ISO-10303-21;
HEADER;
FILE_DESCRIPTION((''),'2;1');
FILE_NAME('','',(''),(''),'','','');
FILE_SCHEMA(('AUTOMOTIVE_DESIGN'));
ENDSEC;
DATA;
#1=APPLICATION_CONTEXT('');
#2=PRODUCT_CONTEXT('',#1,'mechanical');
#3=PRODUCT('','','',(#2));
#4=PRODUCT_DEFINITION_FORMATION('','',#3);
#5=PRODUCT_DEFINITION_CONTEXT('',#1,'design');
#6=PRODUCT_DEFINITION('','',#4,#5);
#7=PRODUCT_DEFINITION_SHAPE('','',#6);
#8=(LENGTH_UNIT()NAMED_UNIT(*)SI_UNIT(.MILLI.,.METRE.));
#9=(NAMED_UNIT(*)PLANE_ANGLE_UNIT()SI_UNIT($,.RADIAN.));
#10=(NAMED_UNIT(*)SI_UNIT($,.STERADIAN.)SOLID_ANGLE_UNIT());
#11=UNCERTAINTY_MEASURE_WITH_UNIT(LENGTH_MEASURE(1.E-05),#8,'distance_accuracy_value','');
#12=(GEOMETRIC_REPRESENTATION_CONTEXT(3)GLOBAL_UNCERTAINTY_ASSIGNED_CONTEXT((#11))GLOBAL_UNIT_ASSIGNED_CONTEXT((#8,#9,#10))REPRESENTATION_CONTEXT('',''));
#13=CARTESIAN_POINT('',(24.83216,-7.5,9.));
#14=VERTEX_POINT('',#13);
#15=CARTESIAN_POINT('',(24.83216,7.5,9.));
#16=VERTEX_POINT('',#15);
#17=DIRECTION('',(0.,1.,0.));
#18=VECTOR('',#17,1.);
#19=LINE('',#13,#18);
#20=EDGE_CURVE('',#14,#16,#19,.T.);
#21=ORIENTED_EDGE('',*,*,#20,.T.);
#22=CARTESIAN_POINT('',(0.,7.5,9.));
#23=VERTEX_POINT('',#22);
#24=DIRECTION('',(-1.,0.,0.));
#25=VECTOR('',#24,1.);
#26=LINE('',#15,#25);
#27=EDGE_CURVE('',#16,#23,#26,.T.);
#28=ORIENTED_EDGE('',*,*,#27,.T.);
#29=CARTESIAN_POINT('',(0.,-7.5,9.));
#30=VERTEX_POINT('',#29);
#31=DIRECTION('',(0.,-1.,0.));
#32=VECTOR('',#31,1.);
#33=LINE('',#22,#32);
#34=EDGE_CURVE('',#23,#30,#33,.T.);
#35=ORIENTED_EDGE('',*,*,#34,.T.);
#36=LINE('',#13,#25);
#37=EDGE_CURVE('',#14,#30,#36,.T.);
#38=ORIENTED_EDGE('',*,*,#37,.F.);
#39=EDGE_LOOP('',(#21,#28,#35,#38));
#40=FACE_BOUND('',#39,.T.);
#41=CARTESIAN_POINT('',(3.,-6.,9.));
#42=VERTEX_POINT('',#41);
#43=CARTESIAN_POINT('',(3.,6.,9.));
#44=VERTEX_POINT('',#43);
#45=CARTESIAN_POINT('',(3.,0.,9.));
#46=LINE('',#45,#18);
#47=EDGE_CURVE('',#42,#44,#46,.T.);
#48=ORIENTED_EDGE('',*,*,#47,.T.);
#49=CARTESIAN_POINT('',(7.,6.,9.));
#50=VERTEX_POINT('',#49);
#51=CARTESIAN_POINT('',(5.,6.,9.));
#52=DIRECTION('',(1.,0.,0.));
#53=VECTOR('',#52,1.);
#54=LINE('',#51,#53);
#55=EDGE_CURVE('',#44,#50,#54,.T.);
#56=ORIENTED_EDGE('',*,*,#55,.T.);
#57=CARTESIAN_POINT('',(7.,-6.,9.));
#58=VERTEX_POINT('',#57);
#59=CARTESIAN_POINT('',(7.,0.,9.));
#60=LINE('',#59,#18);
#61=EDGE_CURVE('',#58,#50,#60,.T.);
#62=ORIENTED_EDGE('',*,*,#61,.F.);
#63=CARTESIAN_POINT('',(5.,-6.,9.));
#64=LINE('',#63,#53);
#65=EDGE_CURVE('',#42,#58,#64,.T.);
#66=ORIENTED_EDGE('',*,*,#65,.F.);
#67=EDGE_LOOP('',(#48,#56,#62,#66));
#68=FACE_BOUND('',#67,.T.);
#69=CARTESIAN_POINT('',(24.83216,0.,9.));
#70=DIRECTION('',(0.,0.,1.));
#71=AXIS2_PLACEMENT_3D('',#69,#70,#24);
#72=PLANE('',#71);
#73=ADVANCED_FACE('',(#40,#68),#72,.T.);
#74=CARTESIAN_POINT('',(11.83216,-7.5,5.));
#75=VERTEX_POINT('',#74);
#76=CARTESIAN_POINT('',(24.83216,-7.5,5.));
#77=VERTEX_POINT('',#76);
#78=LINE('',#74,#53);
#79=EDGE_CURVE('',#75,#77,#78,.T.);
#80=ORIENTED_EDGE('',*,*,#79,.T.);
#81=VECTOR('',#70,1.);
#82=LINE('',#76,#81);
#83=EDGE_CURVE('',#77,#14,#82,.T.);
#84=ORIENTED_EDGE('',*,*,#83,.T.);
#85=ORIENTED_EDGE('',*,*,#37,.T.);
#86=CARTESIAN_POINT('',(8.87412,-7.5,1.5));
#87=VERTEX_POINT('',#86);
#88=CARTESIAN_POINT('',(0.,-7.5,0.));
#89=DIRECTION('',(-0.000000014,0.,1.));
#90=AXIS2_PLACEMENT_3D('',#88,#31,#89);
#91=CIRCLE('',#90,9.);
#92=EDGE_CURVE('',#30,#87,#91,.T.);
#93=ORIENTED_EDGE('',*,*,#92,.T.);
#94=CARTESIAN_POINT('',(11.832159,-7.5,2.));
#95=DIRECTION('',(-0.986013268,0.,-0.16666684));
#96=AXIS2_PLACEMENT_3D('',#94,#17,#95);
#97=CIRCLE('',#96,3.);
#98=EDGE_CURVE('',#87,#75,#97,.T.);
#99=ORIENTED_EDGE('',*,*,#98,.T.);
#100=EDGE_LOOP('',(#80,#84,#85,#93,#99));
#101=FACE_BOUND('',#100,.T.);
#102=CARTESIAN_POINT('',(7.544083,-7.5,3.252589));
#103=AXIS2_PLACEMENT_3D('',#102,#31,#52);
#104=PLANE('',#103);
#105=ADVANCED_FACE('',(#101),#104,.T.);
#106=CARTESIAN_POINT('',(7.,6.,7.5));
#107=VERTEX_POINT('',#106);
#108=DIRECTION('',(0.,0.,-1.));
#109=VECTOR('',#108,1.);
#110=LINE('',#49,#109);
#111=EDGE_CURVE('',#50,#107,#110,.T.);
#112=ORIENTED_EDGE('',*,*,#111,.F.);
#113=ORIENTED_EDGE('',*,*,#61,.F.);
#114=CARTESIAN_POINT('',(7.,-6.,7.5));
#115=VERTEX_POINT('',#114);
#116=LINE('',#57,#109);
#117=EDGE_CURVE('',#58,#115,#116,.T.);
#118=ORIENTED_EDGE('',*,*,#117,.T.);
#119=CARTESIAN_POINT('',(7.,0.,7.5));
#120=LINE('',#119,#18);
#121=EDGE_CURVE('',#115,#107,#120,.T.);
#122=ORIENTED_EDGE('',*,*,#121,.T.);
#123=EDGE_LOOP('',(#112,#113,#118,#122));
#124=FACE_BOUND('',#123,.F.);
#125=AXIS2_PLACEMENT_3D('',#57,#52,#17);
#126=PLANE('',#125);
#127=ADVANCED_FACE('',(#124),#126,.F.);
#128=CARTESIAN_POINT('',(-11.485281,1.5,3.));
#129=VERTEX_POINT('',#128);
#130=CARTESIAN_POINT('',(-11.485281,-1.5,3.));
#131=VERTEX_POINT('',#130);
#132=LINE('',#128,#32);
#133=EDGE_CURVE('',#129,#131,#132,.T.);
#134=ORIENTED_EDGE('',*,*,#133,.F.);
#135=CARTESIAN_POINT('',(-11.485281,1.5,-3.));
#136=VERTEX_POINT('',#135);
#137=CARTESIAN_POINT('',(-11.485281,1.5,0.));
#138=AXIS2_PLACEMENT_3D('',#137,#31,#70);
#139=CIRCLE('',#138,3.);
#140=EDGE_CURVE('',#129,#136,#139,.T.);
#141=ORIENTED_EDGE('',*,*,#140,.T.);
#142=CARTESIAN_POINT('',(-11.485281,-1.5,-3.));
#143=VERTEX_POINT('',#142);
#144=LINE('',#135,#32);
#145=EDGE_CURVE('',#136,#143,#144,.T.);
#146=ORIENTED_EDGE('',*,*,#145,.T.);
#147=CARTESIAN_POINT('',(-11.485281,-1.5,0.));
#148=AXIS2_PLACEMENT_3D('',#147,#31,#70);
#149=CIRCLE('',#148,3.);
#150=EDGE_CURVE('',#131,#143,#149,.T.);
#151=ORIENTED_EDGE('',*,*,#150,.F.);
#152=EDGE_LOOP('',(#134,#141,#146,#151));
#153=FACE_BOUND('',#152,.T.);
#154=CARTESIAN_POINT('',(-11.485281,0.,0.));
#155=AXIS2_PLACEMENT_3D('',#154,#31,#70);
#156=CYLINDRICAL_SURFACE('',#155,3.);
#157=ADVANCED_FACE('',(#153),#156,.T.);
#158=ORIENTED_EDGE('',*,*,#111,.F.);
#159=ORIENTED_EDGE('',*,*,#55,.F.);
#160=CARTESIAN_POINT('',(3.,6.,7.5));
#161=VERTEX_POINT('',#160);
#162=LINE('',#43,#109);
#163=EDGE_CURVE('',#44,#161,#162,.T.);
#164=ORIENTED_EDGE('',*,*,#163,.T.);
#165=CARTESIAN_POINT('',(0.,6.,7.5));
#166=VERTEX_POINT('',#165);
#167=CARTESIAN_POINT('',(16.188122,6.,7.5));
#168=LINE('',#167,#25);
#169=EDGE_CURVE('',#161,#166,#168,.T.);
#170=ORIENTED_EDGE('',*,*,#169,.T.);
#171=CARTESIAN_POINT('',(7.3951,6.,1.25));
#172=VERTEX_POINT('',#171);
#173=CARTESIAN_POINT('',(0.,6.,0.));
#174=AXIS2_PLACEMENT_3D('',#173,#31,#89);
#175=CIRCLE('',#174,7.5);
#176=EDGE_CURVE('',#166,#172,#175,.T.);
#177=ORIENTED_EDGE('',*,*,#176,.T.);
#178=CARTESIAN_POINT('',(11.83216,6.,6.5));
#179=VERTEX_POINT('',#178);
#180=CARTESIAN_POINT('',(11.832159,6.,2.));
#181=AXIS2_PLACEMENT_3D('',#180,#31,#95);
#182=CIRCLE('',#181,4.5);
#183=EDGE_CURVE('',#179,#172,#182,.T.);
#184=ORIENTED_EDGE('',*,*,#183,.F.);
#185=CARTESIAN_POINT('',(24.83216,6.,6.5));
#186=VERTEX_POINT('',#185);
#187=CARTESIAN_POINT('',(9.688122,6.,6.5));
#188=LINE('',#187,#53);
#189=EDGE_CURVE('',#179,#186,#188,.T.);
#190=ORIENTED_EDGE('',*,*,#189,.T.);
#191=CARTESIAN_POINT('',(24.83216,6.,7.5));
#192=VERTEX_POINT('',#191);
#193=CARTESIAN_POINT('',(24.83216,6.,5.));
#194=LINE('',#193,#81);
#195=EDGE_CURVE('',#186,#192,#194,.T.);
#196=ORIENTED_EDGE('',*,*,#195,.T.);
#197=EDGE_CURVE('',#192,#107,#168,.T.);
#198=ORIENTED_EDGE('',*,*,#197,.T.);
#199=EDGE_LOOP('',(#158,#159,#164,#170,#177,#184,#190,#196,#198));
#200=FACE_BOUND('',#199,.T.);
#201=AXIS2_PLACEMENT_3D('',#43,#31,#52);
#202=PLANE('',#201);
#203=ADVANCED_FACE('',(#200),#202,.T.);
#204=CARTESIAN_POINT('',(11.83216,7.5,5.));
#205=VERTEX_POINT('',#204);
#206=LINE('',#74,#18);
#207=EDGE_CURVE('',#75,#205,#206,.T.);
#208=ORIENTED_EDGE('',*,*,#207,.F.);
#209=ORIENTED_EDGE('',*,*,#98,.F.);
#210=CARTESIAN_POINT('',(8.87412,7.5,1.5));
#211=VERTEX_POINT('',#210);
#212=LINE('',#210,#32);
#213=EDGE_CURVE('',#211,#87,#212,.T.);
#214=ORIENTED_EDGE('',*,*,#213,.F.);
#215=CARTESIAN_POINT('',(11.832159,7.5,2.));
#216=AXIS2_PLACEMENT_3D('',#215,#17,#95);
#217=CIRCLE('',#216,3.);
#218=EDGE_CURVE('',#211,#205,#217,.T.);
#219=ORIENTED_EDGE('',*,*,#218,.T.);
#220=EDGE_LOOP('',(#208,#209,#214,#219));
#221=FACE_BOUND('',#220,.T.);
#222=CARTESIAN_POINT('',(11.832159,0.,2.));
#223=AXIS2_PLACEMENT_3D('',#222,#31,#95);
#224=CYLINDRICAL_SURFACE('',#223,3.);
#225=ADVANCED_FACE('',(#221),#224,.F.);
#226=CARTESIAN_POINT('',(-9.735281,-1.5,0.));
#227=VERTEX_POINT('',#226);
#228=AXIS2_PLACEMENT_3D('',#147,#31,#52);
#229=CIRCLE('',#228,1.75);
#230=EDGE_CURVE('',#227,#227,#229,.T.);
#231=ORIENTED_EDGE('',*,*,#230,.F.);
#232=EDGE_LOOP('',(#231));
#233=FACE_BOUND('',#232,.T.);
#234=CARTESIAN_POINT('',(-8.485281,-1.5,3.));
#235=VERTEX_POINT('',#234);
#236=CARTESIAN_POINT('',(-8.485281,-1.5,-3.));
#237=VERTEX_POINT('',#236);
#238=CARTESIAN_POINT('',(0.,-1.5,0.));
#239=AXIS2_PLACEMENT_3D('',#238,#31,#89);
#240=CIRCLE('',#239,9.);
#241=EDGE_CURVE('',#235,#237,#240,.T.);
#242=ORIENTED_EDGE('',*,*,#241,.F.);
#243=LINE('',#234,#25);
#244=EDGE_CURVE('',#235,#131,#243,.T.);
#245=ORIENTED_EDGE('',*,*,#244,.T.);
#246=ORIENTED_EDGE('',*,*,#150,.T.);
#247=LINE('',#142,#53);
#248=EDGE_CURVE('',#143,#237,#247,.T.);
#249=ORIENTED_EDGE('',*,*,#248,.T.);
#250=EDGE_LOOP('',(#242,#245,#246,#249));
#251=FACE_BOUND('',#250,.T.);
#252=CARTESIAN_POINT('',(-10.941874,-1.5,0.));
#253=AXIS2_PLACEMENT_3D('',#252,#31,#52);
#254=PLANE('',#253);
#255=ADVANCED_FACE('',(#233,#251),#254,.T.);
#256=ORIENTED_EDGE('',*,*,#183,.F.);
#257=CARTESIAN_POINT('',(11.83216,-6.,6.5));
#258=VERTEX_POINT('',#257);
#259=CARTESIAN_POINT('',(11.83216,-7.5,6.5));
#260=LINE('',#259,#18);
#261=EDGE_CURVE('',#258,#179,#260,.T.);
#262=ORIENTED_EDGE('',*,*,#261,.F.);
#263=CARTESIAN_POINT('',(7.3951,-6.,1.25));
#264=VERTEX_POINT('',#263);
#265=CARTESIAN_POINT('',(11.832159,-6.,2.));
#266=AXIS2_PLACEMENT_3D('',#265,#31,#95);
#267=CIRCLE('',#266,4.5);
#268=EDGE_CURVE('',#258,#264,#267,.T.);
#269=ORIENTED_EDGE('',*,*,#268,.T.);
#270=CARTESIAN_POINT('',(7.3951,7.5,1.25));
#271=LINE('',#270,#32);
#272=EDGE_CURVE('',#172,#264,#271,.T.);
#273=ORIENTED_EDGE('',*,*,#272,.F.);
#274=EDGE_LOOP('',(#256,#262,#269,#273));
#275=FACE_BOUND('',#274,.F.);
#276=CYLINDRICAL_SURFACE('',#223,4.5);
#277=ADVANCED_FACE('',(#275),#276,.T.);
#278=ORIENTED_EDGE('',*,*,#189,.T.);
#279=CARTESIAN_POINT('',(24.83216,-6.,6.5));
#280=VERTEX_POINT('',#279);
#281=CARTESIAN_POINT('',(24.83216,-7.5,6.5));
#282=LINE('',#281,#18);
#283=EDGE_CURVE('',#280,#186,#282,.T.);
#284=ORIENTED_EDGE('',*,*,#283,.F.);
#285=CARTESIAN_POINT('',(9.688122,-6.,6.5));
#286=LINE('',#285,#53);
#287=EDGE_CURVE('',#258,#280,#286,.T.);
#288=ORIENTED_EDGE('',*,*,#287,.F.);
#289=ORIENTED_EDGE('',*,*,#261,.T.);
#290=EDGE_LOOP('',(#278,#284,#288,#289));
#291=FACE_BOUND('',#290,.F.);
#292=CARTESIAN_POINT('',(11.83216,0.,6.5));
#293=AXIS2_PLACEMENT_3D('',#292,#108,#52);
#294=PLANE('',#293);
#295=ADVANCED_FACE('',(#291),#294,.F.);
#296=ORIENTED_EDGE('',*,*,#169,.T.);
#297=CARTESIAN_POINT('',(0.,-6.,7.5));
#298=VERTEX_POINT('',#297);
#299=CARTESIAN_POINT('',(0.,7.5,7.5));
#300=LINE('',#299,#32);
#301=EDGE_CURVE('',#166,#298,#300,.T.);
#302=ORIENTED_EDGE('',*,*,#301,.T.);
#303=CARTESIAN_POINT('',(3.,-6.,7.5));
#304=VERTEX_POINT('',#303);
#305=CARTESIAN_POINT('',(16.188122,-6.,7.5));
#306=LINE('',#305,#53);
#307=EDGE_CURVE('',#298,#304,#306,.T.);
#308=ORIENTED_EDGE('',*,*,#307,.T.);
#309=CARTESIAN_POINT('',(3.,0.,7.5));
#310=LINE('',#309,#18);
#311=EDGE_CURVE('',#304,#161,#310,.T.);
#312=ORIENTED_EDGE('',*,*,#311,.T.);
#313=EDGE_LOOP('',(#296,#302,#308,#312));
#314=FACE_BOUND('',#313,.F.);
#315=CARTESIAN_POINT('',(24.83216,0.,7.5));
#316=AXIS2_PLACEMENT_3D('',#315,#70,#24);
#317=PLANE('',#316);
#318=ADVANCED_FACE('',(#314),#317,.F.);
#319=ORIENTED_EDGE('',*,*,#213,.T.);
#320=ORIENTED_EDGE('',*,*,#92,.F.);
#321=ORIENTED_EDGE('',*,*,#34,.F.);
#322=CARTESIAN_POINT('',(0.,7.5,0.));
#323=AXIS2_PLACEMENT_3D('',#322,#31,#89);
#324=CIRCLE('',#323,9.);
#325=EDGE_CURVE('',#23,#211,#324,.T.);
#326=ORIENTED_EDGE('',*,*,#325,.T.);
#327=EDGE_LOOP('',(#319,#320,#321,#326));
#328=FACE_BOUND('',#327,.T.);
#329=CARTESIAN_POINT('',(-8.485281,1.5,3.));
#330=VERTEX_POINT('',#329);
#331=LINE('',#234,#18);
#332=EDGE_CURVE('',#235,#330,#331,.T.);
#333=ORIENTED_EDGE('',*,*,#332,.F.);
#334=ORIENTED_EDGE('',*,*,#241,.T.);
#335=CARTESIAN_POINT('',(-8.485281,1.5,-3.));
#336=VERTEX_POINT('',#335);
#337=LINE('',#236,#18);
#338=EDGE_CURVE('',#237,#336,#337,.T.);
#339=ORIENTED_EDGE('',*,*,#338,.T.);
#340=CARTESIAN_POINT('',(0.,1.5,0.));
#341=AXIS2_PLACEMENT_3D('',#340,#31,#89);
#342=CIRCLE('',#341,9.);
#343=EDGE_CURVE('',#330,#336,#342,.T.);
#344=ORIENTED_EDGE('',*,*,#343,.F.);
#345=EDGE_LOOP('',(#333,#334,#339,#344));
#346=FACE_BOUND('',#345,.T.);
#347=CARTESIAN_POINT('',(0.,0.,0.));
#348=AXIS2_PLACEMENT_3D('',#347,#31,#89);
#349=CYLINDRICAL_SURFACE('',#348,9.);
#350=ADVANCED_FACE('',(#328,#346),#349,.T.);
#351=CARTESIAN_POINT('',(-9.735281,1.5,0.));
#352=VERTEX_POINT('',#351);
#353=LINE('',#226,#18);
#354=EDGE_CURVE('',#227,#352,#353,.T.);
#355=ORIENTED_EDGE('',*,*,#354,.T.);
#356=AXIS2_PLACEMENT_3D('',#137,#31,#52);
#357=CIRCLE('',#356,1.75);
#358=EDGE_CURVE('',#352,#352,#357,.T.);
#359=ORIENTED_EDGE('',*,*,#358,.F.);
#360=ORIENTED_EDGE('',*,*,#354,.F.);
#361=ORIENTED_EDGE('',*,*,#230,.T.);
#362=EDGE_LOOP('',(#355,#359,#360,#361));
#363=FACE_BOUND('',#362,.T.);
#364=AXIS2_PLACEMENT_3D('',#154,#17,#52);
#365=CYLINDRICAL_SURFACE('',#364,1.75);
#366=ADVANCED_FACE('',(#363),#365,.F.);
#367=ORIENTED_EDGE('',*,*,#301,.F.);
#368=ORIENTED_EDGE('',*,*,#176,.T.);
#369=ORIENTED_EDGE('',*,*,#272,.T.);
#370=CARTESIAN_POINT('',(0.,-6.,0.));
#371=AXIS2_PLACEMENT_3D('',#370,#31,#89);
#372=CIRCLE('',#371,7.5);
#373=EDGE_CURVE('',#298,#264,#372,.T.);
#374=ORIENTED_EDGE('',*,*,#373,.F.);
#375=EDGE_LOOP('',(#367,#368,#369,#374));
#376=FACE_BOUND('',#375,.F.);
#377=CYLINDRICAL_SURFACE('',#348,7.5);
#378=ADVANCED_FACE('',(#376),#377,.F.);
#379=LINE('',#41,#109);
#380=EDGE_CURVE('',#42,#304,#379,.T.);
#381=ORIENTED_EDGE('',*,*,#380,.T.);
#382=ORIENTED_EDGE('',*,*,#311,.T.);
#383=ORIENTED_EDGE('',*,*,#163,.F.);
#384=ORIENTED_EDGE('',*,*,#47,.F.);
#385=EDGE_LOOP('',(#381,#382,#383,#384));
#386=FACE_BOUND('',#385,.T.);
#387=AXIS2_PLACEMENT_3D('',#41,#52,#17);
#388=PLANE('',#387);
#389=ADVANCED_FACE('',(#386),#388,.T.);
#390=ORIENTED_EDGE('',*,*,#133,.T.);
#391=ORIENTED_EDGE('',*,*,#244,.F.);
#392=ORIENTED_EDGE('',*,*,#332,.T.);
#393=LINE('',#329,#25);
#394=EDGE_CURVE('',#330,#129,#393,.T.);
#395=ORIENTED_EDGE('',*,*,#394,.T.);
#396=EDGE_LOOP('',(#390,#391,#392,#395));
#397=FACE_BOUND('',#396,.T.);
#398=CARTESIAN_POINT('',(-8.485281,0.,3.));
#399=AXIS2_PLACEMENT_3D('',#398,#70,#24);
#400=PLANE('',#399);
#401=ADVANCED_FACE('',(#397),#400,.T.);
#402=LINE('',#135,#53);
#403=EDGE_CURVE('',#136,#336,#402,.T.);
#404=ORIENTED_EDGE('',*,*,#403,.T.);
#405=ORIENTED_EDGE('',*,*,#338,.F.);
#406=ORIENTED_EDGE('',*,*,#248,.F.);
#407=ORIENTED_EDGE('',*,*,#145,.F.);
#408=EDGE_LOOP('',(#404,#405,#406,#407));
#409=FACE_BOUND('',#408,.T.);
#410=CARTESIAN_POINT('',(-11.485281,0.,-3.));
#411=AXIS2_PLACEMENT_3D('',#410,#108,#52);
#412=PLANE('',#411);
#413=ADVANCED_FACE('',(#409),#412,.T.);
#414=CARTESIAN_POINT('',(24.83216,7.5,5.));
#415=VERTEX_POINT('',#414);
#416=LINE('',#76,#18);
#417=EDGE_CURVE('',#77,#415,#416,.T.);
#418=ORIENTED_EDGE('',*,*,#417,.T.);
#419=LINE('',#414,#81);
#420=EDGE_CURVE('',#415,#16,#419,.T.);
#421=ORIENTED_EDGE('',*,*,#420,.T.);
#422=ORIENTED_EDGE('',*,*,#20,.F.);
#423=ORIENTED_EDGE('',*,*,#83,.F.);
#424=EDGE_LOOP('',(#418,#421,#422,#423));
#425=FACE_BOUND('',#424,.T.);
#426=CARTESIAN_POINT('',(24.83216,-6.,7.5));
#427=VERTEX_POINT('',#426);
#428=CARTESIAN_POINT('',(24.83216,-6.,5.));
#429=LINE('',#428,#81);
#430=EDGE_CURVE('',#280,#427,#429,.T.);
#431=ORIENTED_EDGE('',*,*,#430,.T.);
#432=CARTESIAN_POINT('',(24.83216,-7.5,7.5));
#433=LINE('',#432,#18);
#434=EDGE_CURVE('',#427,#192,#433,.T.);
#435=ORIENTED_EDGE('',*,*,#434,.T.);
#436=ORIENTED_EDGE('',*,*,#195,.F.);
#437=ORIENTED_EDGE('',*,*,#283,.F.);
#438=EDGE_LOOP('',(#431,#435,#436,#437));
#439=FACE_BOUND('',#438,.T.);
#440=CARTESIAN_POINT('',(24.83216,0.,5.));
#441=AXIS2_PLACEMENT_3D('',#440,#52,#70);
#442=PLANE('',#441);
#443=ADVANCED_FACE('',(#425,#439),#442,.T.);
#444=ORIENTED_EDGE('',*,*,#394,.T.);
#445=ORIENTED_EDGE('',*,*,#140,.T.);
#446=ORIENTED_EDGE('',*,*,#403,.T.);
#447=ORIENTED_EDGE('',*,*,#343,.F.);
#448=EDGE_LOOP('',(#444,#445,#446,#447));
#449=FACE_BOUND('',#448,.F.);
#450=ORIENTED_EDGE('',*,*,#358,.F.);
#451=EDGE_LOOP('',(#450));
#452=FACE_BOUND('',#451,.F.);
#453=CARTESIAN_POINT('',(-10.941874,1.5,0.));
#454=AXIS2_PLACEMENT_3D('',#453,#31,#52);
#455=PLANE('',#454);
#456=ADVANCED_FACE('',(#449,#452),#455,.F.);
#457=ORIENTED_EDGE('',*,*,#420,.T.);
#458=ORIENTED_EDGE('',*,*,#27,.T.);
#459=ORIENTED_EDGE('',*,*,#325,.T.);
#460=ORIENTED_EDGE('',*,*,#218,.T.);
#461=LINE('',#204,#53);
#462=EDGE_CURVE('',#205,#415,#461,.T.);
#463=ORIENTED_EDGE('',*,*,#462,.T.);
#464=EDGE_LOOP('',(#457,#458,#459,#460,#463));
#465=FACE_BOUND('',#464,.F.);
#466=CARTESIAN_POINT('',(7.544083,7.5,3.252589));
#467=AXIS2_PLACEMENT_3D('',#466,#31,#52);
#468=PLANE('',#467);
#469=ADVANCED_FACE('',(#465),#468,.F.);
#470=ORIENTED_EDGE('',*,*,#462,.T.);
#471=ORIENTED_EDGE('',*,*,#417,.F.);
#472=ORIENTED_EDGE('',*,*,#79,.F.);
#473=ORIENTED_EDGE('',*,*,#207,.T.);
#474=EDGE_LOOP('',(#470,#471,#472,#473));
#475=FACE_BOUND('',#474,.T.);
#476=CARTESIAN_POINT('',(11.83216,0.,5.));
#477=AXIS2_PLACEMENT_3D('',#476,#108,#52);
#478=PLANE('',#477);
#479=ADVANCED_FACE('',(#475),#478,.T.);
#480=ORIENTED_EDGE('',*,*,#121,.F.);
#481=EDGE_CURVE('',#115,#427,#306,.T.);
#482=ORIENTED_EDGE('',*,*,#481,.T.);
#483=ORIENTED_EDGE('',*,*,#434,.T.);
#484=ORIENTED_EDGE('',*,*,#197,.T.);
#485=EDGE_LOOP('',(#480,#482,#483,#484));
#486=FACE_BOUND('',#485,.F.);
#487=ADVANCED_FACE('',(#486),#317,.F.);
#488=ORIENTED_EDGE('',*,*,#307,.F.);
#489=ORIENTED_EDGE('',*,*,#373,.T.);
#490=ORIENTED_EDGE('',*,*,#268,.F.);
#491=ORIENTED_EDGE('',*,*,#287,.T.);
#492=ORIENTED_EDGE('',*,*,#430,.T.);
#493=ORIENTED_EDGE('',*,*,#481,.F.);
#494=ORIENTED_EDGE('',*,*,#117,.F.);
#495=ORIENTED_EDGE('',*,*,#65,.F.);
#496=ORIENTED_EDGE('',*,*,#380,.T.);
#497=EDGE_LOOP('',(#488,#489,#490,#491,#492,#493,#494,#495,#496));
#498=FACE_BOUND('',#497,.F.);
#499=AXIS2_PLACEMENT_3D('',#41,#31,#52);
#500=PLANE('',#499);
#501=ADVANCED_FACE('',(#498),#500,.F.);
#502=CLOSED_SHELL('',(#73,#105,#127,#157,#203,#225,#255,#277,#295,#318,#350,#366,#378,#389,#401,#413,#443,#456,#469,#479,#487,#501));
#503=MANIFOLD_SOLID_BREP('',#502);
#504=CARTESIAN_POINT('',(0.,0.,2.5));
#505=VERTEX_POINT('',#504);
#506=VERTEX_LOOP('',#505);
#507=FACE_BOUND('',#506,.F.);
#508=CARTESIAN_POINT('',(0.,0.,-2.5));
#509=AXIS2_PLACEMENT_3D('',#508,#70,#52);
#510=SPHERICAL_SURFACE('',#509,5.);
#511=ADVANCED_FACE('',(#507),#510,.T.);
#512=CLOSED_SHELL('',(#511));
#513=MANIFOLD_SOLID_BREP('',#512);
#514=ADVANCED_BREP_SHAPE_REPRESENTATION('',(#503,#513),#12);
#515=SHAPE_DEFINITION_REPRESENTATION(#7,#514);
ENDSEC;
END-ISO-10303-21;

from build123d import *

# Parameters (mm, degrees)
F1_DEPTH = 7.5
F2_T     = -1.5
F3_W     = 4
F3_H     = 12
F4_DEPTH = 1.5
F5_R     = 1.75
F6_DEPTH = 1.5


with BuildPart() as f1:
    # F0 (on Front) → F1 (new body, symmetric)
    with BuildSketch(Plane.XZ):
        with BuildLine():
            Line((24.83216, 9), (0, 9))
            ThreePointArc((0, 9), (-5.809475, -6.873864), (8.87412, 1.5))
            ThreePointArc((8.87412, 1.5), (9.540872, 3.936492), (11.83216, 5))
            Line((11.83216, 5), (24.83216, 5))
            Line((24.83216, 5), (24.83216, 9))
        make_face()
    extrude(amount=F1_DEPTH, both=True)

    # F2
    f2_openings = [f1.faces().sort_by_distance(p)[0] for p in [
        (24.83216, 0, 7),
    ]]
    offset(amount=F2_T, openings=f2_openings)

    # F3 (on face) → F4 (cut)
    with BuildSketch(Plane.XY.offset(9)):
        with Locations((5, 0)):
            Rectangle(F3_W, F3_H)
    extrude(amount=-F4_DEPTH, mode=Mode.SUBTRACT)

    # F5 (on Front) → F6 (join, symmetric)
    with BuildSketch(Plane.XZ):
        with BuildLine():
            Line((-8.485281, 3), (-11.485281, 3))
            ThreePointArc((-11.485281, 3), (-14.485281, 0), (-11.485281, -3))
            Line((-11.485281, -3), (-8.485281, -3))
            Line((-8.485281, -3), (-8.485281, 3))
        make_face()
        with Locations((-11.485281, 0)):
            Circle(F5_R, mode=Mode.SUBTRACT)
    extrude(amount=F6_DEPTH, both=True)


with BuildPart() as f8:
    # F7 (on Front) → F8 (revolve)
    with BuildSketch(Plane.XZ):
        with BuildLine():
            Line((0, 2.5), (0, -7.5))
            ThreePointArc((0, -7.5), (5, -2.5), (0, 2.5))
        make_face()
    revolve(axis=Axis((0, 0, -2.5), (0, 0, -1)))


solid = Compound([f1.part, f8.part])
